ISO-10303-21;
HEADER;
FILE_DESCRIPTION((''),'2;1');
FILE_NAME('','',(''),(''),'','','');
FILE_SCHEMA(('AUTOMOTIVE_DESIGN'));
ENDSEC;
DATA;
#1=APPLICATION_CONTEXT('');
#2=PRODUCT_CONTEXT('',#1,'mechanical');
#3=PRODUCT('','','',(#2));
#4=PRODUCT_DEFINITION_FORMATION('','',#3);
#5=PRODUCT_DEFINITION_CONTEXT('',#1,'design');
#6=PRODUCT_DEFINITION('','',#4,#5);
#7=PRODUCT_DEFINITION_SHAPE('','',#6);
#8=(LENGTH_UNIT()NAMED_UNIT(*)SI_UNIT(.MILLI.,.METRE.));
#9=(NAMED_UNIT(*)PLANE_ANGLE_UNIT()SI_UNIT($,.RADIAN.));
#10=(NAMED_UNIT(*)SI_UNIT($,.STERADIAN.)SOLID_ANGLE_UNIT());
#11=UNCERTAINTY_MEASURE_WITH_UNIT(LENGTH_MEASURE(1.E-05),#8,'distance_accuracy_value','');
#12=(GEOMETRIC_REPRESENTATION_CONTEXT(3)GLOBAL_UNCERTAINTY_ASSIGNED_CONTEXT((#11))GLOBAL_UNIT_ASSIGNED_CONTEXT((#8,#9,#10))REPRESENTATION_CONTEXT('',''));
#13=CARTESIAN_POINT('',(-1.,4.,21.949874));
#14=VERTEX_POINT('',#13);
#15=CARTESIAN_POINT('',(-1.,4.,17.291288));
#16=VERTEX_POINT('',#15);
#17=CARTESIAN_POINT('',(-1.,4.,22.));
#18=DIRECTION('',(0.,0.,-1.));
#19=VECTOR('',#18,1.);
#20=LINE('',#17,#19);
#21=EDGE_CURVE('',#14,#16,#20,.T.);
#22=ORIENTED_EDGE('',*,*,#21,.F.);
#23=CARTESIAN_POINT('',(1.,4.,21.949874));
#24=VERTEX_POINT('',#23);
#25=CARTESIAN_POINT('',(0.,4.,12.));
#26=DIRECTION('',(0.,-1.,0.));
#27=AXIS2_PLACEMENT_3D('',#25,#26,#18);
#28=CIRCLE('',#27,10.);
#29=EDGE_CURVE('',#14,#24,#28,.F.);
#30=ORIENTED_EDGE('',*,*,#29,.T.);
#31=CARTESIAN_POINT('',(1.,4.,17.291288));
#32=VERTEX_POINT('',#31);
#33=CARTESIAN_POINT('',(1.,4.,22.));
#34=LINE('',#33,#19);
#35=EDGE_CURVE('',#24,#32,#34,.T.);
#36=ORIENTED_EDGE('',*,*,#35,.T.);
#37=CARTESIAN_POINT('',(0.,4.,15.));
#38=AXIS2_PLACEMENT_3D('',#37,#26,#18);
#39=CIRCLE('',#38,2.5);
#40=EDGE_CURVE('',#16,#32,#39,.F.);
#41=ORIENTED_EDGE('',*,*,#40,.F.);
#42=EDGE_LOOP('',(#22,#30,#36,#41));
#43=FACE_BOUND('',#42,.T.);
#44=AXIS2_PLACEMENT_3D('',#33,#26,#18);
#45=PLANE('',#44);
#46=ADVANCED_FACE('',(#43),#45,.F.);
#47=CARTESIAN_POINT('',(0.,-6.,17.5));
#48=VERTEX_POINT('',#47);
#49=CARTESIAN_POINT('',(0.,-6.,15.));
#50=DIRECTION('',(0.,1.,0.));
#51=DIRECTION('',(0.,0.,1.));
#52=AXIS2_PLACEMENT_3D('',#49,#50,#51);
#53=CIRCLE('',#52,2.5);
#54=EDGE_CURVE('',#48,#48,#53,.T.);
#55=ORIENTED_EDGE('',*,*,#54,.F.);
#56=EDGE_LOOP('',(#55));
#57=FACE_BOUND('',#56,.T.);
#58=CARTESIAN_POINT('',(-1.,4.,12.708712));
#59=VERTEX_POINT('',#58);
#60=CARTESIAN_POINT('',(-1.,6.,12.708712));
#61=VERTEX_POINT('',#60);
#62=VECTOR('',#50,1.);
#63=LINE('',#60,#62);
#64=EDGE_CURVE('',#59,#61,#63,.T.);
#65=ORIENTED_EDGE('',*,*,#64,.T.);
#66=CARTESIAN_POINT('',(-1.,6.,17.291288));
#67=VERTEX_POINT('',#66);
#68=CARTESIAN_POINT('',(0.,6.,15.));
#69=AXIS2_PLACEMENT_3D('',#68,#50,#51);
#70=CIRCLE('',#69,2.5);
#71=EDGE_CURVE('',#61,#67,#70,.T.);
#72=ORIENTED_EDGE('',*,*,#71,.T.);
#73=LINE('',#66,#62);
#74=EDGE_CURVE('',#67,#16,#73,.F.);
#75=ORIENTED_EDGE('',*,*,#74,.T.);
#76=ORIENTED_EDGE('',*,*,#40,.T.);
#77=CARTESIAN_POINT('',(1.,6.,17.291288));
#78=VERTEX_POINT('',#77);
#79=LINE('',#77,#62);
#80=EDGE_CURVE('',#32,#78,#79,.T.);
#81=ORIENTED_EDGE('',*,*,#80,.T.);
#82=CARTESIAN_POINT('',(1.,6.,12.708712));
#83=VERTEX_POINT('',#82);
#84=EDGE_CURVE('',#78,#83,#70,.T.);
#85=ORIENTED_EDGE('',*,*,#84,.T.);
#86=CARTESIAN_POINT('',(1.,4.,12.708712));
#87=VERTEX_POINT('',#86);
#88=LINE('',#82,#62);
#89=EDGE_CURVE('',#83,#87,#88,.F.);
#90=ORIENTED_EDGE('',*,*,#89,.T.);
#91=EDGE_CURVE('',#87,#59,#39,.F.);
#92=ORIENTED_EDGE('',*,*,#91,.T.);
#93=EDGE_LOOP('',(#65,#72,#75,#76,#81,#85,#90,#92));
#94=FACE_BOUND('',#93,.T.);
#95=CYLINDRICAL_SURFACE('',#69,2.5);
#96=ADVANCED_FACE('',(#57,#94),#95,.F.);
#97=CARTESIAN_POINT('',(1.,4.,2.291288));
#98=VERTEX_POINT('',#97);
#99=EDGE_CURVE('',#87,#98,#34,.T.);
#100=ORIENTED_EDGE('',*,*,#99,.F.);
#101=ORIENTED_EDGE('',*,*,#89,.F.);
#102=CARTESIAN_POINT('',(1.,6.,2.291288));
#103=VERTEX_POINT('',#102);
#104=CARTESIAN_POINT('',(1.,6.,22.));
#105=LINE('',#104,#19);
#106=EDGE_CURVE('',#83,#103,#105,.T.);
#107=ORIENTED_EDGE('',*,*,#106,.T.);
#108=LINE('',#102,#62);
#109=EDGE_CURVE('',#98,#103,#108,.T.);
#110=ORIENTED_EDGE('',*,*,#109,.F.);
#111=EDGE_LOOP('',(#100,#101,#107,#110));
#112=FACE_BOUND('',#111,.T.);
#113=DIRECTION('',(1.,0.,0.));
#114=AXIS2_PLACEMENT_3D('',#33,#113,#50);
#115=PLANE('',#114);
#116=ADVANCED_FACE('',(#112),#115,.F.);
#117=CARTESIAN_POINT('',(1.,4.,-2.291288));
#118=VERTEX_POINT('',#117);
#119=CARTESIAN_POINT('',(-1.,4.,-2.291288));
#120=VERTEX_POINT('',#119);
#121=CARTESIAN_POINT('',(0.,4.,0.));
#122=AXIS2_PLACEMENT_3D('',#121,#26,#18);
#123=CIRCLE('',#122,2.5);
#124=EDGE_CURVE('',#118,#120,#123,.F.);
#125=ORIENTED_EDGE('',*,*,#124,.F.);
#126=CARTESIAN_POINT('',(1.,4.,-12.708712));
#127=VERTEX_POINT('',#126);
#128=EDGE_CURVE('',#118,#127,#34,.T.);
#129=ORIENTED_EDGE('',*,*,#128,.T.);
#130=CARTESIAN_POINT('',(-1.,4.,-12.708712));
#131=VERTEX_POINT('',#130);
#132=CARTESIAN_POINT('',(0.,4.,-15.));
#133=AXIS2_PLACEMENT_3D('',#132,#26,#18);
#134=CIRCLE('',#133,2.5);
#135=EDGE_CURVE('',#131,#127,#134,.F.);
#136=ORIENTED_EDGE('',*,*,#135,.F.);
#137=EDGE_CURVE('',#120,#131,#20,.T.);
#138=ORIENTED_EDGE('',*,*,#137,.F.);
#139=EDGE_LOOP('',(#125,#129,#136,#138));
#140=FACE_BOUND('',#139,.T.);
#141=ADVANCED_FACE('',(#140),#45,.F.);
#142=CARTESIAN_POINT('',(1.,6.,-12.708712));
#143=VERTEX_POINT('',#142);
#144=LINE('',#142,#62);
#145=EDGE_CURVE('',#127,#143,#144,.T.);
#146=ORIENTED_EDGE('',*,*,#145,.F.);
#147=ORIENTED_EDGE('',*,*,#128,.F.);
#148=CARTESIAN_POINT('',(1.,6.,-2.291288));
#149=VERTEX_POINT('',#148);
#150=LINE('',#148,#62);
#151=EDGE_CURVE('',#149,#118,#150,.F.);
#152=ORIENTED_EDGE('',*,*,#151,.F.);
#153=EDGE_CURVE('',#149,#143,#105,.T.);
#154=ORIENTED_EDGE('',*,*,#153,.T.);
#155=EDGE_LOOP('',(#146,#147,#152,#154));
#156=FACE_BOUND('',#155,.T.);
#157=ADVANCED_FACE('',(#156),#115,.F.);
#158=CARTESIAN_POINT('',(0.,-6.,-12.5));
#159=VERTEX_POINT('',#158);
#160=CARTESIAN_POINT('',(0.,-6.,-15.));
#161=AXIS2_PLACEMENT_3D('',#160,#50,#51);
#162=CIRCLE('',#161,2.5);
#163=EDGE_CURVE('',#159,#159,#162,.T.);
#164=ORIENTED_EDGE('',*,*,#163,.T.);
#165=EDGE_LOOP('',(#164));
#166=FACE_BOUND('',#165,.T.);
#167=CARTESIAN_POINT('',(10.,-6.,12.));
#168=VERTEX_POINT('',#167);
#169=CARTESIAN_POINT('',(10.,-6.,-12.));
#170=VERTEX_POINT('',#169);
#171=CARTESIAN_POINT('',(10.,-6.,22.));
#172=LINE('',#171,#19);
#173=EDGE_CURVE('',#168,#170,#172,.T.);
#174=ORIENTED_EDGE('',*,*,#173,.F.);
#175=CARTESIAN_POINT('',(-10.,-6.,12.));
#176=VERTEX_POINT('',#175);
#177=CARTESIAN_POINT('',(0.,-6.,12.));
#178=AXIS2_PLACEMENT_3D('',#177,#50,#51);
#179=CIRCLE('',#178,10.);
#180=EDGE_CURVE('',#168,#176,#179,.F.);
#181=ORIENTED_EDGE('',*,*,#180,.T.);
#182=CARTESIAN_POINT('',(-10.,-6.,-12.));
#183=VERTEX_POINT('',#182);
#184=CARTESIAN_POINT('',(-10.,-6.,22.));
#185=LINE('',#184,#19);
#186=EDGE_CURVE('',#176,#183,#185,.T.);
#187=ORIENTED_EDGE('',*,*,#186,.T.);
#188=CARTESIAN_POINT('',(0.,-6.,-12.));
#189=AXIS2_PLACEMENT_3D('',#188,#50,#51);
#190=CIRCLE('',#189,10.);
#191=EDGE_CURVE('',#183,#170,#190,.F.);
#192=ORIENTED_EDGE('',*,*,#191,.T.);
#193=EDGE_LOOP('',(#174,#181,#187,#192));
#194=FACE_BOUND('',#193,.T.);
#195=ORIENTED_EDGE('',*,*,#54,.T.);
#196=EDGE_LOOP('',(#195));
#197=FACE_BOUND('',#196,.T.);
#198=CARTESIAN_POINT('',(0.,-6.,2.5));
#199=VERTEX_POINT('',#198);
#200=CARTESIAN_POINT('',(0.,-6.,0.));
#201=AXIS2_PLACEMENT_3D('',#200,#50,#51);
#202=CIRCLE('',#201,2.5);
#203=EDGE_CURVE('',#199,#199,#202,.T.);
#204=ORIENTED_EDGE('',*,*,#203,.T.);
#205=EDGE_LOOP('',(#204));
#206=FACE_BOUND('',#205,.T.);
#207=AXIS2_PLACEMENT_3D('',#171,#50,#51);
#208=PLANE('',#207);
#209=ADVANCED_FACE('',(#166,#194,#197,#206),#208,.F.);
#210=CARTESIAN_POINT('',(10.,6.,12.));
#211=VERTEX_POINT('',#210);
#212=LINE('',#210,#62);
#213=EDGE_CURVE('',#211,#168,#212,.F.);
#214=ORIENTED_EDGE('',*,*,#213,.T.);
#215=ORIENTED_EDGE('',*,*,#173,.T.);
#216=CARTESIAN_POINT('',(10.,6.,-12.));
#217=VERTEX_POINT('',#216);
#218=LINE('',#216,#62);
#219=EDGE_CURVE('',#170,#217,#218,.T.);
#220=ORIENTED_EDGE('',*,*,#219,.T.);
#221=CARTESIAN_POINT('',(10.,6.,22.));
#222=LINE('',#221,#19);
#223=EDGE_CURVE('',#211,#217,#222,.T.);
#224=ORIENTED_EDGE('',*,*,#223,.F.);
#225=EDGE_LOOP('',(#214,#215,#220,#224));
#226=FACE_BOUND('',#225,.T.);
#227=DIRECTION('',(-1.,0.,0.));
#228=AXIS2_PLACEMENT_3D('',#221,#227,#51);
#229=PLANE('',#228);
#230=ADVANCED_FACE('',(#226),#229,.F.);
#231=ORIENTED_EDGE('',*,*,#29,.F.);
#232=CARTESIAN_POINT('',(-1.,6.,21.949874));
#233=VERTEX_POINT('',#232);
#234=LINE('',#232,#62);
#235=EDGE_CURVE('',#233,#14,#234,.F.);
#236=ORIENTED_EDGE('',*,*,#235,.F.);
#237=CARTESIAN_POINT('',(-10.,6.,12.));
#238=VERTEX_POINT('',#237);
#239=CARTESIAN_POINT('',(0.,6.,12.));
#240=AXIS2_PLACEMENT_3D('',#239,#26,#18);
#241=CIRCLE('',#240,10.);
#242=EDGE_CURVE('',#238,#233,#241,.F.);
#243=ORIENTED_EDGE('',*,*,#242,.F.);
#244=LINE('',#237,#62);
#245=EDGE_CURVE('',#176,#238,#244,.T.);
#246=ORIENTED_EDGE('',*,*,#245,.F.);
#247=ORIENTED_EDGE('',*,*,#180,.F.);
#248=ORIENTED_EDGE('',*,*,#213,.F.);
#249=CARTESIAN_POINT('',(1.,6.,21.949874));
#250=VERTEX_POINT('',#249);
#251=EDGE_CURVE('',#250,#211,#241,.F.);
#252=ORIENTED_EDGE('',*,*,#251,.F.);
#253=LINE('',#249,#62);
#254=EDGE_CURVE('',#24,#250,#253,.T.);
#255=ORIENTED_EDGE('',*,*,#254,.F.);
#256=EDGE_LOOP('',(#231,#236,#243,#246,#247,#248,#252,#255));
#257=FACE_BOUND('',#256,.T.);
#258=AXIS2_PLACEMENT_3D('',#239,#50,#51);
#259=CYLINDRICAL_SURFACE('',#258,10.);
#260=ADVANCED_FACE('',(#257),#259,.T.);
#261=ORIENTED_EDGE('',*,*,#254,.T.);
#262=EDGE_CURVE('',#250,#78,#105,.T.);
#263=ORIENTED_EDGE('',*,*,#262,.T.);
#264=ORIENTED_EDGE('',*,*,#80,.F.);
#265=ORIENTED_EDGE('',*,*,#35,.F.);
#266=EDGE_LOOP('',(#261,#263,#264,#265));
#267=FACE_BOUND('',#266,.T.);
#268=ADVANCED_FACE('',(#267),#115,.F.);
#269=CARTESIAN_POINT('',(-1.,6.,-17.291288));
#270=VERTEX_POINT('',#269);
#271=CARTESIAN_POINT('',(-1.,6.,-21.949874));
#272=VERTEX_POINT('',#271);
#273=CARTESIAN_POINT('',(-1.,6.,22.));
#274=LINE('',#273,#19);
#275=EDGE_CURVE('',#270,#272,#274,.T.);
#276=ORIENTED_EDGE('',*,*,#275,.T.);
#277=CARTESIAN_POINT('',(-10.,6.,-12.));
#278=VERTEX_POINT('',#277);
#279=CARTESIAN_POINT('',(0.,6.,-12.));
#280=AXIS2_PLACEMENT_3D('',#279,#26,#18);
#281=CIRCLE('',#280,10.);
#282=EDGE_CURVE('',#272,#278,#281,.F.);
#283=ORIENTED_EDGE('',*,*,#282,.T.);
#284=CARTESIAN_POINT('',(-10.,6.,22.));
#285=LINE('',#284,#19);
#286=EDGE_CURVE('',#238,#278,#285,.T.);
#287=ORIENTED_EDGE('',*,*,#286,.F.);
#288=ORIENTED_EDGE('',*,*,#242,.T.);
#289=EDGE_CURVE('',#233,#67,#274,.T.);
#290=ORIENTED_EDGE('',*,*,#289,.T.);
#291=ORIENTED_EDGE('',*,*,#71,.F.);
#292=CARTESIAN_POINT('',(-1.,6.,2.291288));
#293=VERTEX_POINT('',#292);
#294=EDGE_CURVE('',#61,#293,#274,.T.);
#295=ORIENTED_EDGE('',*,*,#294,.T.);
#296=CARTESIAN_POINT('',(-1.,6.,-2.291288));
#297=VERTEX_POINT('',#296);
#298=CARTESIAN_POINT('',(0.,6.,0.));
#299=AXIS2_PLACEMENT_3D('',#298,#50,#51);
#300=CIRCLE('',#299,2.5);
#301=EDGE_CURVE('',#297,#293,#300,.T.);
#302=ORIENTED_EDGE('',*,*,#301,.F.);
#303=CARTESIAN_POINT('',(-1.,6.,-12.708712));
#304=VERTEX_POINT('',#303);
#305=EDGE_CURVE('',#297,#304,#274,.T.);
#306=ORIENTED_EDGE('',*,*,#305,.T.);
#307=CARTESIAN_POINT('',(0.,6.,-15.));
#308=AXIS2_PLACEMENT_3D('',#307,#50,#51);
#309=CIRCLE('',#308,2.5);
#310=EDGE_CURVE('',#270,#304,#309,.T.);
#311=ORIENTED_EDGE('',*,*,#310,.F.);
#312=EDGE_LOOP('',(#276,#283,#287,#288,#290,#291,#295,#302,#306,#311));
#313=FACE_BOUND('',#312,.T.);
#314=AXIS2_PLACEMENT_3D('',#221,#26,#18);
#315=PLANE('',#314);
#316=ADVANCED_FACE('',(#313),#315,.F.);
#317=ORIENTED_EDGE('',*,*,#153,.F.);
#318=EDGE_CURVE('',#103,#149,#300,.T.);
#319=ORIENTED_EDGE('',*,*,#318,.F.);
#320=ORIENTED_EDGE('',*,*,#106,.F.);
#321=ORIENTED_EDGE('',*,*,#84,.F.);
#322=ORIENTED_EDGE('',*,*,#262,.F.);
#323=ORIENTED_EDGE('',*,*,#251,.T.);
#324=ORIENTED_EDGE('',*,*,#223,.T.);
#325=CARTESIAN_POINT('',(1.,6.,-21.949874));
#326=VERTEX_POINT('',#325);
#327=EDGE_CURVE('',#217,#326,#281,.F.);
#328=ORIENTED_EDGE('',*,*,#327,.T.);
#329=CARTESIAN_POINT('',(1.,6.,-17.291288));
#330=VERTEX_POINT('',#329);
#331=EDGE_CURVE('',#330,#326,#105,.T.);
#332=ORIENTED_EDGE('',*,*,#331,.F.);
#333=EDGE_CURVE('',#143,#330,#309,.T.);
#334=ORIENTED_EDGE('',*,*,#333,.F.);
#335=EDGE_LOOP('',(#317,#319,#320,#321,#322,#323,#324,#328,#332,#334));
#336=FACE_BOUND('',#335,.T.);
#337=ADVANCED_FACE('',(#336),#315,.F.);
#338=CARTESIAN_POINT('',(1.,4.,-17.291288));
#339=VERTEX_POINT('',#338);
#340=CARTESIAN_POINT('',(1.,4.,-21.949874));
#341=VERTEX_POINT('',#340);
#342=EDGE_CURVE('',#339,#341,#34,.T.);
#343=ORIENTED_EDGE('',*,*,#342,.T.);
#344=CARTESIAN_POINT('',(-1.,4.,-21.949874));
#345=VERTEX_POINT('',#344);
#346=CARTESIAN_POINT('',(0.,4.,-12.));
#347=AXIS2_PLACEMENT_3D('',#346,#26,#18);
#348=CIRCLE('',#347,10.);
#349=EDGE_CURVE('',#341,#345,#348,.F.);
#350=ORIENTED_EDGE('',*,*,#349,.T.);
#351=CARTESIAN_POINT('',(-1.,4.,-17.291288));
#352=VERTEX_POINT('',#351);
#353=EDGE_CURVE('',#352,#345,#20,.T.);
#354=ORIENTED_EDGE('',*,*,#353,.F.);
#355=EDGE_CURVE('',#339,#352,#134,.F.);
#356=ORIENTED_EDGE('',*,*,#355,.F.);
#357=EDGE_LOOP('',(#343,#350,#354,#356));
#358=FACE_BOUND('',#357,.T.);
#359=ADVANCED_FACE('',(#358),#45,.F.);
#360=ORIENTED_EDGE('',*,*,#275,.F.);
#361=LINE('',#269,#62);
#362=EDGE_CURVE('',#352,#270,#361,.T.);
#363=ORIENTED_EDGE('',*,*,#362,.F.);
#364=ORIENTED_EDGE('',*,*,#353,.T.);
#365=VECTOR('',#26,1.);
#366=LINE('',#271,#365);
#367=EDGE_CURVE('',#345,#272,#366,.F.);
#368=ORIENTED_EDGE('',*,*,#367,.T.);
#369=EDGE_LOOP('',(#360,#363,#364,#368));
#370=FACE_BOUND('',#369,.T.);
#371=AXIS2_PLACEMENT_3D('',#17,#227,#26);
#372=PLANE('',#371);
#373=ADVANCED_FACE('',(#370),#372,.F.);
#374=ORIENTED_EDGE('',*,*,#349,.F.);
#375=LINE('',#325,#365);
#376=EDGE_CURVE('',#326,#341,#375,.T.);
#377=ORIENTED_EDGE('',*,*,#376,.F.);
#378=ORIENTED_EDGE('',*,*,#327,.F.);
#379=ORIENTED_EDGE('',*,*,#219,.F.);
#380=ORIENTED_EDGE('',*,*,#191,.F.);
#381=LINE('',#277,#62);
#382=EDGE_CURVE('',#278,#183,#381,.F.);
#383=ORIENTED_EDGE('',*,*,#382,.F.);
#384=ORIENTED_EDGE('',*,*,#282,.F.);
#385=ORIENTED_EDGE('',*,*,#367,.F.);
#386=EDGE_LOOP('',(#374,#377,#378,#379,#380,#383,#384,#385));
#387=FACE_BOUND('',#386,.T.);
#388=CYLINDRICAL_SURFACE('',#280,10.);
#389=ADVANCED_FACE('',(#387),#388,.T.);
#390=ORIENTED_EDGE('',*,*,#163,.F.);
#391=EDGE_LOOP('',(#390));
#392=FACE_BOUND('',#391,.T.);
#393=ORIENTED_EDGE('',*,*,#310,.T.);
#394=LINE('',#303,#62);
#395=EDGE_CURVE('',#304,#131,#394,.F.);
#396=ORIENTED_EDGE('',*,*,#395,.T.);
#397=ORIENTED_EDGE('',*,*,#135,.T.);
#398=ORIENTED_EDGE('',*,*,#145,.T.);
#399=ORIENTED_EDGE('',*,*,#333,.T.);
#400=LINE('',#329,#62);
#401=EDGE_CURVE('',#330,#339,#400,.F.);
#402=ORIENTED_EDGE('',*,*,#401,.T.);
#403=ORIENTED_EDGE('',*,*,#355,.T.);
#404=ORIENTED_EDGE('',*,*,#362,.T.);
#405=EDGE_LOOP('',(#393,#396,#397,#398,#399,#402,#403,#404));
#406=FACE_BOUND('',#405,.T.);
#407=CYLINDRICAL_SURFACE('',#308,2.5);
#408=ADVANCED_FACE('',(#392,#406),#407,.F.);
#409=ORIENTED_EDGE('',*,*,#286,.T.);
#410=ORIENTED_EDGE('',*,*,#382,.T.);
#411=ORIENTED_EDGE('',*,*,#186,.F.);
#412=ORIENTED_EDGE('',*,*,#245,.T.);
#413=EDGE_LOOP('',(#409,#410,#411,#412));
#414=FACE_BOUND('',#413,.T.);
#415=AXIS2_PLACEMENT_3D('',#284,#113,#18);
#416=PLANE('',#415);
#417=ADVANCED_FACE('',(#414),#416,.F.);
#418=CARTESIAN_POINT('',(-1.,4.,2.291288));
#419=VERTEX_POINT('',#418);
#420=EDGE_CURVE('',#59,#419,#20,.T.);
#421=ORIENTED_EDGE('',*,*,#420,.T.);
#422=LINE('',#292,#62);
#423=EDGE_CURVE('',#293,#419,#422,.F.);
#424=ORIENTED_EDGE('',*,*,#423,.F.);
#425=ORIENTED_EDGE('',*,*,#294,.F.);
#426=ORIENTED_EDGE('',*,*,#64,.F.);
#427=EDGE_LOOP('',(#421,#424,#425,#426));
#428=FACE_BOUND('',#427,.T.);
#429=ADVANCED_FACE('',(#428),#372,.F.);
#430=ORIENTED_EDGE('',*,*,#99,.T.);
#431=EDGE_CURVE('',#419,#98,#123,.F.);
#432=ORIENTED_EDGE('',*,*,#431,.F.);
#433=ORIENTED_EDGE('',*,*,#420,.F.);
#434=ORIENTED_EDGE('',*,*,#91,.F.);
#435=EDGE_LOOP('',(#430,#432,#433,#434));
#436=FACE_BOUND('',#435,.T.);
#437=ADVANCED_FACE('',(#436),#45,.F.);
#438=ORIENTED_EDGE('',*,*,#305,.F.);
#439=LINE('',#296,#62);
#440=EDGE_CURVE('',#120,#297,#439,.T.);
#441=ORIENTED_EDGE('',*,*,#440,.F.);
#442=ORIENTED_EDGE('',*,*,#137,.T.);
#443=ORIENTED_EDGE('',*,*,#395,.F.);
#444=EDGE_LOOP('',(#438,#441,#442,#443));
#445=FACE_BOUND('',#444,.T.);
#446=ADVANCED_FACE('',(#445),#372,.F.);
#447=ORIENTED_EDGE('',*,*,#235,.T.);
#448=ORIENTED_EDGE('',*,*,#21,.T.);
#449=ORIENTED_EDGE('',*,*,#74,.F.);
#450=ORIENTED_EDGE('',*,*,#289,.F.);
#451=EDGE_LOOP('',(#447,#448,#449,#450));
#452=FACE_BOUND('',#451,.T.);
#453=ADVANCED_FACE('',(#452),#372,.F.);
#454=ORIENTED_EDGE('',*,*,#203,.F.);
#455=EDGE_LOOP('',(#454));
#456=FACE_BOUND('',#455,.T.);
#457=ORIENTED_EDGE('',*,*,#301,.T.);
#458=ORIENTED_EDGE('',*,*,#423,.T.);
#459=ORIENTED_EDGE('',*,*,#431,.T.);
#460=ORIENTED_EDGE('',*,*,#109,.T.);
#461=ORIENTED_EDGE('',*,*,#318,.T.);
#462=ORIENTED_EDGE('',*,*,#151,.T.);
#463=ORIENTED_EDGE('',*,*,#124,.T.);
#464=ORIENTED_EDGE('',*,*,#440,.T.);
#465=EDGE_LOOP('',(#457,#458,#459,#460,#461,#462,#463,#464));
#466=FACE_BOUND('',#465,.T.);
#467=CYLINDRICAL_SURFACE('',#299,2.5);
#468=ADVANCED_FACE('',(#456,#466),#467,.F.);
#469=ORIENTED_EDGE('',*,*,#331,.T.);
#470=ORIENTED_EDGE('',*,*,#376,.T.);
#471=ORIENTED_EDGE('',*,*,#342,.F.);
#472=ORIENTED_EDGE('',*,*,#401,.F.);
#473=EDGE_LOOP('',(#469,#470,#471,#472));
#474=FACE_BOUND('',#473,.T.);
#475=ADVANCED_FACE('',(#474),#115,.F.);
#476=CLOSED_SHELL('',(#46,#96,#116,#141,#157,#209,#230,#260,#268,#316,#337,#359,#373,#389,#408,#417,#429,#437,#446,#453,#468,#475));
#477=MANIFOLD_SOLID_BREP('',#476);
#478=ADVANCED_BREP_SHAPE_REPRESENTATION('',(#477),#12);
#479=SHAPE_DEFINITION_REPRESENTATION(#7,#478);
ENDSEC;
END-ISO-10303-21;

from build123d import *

# Parameters (mm, degrees)
SKETCH1_W             = 20
SKETCH1_H             = 12
BOSS_EXTRUDE1_DEPTH   = 22
M6X1_0_TAPPED_HOLE1_D = 5
SKETCH7_W             = 2
SKETCH7_H             = 2
CUT_EXTRUDE2_DEPTH    = 46.519226707
FILLET1_RADIUS        = 10
FILLET1_LENGTH        = 12
FILLET2_RADIUS        = 10
FILLET2_LENGTH        = 12


with BuildPart() as part:
    # Sketch1 → Boss-Extrude1 (new, symmetric)
    with BuildSketch(Plane.XY):
        Rectangle(SKETCH1_W, SKETCH1_H)
    extrude(amount=BOSS_EXTRUDE1_DEPTH, both=True)

    # M6x1.0 Tapped Hole1 (through all)
    with Locations(Plane(origin=(0, 6, 0), x_dir=(1, 0, 0), z_dir=(0, 1, 0))):
        with Locations((0, -15), (0, 0), (0, 15)):
            Hole(M6X1_0_TAPPED_HOLE1_D / 2)

    # Sketch7 → Cut-Extrude2 (cut, through all)
    with BuildSketch(Plane(origin=(0, 0, -22), x_dir=(-1, 0, 0), z_dir=(0, 0, -1))):
        with Locations((0, 5)):
            Rectangle(SKETCH7_W, SKETCH7_H)
    extrude(amount=-CUT_EXTRUDE2_DEPTH, mode=Mode.SUBTRACT)

    # Fillet1: full round fillet: the end face becomes a half cylinder, R = half its width
    fillet1_face = Plane((0, 0, -22), x_dir=(0, -1, 0), z_dir=(0, 0, -1))  # on the end face: x along it, z out of the body
    fillet1_slab = fillet1_face.offset(-FILLET1_RADIUS / 2) * Box(FILLET1_LENGTH, 2 * FILLET1_RADIUS, FILLET1_RADIUS, mode=Mode.PRIVATE)  # the body's end, R deep
    fillet1_round = Plane((0, 0, -12), x_dir=(0, 0, -1), z_dir=(0, -1, 0)) * Cylinder(FILLET1_RADIUS, FILLET1_LENGTH, mode=Mode.PRIVATE)  # its axis R under the face
    add(fillet1_slab - fillet1_round, mode=Mode.SUBTRACT)

    # Fillet2: full round fillet: the end face becomes a half cylinder, R = half its width
    fillet2_face = Plane((0, 0, 22), x_dir=(0, 1, 0), z_dir=(0, 0, 1))  # on the end face: x along it, z out of the body
    fillet2_slab = fillet2_face.offset(-FILLET2_RADIUS / 2) * Box(FILLET2_LENGTH, 2 * FILLET2_RADIUS, FILLET2_RADIUS, mode=Mode.PRIVATE)  # the body's end, R deep
    fillet2_round = Plane((0, 0, 12), x_dir=(0, 0, 1), z_dir=(0, 1, 0)) * Cylinder(FILLET2_RADIUS, FILLET2_LENGTH, mode=Mode.PRIVATE)  # its axis R under the face
    add(fillet2_slab - fillet2_round, mode=Mode.SUBTRACT)


solid = part.part
